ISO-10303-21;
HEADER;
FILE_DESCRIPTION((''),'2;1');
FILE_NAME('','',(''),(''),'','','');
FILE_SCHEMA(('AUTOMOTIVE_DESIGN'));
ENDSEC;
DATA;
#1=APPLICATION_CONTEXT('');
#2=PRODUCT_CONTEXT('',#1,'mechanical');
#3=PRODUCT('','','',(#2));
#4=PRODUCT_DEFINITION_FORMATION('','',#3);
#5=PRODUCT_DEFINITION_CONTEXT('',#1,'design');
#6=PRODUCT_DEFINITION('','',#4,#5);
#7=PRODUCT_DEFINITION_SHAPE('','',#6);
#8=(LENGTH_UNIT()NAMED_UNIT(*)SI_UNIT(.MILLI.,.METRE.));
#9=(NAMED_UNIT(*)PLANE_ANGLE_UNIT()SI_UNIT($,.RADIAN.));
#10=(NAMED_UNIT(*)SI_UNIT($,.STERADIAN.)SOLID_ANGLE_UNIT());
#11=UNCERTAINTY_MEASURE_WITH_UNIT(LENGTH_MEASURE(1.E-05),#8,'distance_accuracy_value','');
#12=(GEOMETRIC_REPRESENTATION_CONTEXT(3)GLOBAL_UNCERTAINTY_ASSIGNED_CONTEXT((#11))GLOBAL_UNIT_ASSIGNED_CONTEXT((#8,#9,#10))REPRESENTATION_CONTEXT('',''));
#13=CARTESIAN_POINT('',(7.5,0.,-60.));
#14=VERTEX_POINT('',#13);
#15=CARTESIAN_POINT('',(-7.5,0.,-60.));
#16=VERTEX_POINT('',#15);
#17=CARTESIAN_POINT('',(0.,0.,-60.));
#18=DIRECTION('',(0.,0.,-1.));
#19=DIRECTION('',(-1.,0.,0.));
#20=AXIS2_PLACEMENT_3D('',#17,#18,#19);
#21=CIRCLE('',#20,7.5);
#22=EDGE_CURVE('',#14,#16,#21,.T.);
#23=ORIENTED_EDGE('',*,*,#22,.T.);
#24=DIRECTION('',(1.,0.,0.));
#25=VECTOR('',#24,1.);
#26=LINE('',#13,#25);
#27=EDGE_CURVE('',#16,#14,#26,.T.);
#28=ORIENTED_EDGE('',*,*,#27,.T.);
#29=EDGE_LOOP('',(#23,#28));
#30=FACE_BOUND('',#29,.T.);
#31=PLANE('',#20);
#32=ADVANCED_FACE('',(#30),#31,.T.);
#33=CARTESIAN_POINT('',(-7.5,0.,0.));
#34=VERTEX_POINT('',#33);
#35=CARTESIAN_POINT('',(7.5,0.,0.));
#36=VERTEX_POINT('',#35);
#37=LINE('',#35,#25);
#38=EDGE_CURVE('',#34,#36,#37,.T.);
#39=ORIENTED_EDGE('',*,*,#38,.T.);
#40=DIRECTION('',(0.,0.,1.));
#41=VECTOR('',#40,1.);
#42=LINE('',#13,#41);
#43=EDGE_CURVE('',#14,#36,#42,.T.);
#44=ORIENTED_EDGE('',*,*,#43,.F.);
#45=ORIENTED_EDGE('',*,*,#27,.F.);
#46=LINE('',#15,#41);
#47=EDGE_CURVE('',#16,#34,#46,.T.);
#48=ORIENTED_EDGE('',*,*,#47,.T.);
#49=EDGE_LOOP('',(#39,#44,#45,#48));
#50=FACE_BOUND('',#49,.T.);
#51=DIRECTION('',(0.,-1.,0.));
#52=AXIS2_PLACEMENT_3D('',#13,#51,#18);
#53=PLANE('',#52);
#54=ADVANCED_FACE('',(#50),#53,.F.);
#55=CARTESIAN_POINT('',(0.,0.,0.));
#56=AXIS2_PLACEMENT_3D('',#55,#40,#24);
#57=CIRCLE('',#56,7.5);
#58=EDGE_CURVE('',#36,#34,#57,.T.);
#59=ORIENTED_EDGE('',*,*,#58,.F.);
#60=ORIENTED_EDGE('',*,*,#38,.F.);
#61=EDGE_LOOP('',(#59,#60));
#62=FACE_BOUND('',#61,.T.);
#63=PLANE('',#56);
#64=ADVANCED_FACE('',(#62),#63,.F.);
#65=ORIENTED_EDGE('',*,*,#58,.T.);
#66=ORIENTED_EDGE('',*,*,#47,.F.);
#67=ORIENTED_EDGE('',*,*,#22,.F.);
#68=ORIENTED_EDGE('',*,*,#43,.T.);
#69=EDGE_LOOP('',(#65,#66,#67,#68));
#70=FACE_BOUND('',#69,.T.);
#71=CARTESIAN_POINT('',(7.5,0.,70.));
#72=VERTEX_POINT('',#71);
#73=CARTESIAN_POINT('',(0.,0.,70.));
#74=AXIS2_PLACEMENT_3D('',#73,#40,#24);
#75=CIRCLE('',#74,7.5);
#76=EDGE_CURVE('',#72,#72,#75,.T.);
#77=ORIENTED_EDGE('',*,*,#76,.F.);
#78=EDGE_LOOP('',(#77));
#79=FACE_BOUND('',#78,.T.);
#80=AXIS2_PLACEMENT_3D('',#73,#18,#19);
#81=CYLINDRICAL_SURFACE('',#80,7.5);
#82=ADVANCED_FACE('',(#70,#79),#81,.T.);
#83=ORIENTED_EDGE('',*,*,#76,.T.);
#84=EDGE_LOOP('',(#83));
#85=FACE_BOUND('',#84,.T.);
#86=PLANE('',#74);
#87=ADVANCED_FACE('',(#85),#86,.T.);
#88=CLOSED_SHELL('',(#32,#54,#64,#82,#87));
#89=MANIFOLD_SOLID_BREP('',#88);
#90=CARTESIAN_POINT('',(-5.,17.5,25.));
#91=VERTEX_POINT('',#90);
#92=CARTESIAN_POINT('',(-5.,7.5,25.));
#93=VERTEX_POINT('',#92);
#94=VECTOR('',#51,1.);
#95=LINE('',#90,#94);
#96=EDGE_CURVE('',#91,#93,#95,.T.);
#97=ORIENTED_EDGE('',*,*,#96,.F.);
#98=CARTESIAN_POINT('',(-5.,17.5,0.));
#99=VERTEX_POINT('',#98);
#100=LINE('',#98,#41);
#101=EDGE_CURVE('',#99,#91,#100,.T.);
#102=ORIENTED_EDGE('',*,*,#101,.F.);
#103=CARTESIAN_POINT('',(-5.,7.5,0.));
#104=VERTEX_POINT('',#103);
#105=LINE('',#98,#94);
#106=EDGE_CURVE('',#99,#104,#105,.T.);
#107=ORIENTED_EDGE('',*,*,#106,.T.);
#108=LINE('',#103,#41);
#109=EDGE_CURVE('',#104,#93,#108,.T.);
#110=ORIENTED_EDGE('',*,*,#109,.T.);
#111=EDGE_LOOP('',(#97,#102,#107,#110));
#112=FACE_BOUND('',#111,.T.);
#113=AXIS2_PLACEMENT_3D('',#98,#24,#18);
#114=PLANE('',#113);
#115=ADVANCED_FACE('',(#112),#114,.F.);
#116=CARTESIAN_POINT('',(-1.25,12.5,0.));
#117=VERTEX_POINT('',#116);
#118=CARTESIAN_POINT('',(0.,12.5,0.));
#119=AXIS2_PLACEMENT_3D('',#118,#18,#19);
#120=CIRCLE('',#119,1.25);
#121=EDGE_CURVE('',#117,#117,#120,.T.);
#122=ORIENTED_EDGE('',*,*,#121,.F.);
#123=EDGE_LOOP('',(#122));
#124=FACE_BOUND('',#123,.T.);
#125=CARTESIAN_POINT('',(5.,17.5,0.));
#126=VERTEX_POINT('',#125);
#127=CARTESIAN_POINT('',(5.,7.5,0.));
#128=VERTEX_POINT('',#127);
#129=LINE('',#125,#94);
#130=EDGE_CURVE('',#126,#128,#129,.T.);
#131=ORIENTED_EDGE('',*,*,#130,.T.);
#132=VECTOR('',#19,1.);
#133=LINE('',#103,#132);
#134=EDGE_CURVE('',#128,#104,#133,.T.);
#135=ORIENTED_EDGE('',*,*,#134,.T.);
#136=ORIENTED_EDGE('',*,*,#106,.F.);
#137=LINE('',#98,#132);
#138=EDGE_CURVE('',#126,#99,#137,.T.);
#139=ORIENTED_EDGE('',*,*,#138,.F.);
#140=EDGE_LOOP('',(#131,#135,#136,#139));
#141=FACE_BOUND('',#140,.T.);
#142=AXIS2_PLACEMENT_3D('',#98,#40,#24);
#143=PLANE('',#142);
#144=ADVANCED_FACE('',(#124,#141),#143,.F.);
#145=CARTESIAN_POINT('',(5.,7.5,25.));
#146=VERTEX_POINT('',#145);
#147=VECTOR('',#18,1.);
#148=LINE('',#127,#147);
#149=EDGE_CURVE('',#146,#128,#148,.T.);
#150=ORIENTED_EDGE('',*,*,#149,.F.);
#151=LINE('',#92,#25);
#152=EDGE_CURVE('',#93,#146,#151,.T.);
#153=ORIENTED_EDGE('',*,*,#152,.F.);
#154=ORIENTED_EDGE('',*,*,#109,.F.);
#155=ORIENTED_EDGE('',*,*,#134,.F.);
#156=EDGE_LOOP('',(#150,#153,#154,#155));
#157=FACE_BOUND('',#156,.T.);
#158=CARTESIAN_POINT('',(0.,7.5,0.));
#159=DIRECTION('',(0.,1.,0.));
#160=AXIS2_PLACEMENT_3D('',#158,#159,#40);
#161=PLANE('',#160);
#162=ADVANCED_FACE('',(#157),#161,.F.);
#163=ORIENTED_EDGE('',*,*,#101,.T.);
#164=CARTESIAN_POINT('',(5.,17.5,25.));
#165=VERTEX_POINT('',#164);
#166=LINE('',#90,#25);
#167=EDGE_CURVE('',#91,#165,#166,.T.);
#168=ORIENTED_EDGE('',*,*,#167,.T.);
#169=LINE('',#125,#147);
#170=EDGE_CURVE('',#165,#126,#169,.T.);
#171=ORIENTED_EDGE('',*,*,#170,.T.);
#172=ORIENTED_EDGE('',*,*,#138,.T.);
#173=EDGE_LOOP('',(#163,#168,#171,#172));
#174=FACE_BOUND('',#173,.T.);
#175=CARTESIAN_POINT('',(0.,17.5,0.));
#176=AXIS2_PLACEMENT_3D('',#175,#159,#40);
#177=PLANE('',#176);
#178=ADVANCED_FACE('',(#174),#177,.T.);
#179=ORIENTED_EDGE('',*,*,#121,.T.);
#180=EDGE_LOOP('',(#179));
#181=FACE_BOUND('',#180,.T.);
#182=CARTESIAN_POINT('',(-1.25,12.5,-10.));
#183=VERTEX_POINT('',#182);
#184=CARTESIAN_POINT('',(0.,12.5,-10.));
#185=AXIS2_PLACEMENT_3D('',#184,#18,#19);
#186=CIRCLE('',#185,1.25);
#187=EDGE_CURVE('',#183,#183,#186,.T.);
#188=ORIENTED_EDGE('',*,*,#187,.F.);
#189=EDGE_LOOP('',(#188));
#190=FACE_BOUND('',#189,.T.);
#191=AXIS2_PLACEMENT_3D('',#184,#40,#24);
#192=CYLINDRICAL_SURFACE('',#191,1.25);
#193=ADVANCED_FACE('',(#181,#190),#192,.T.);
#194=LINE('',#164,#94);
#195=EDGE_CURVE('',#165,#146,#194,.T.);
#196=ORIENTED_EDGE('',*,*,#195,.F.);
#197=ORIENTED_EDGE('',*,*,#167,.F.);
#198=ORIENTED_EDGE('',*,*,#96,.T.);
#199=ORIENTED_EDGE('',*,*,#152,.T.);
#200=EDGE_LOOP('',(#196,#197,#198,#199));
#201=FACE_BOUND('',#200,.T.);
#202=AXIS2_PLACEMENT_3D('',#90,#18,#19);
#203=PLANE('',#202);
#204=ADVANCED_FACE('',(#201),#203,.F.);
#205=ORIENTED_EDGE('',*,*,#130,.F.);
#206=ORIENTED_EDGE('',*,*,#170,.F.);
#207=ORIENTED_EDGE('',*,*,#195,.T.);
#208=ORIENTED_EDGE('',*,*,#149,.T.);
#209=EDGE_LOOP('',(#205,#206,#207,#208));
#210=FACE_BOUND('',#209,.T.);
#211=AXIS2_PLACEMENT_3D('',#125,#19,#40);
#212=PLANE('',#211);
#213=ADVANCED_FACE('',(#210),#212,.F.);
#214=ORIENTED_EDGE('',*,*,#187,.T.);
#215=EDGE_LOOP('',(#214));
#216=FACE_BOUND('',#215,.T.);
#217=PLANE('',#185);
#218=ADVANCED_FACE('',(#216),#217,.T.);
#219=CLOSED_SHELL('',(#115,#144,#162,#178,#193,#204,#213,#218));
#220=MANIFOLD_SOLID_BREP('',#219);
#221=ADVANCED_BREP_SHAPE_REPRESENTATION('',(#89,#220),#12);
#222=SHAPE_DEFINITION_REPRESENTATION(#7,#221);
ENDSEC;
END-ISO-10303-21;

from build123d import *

# Parameters (mm, degrees)
SKETCH_1_R      = 7.5
EXTRUDE_1_DEPTH = 70
EXTRUDE_START   = 60
EXTRUDE_2_DEPTH = 60
SKETCH_4_W      = 10
SKETCH_4_H      = 25
EXTRUDE_3_DEPTH = 10
SKETCH_5_R      = 1.25
EXTRUDE_4_DEPTH = 10


with BuildPart() as part:
    # 草圖1 → 填料-伸長1 (new body)
    with BuildSketch(Plane.XY):
        Circle(SKETCH_1_R)
    extrude(amount=EXTRUDE_1_DEPTH)

    # 草圖2 → 填料-伸長2 (add)
    with BuildSketch(Plane(origin=(0, 0, 0), x_dir=(-1, 0, 0), z_dir=(0, 0, -1)).offset(EXTRUDE_START)):
        with BuildLine():
            Line((-7.5, 0), (7.5, 0))
            ThreePointArc((7.5, 0), (0, -7.5), (-7.5, 0))
        make_face()
    extrude(amount=-EXTRUDE_2_DEPTH)


with BuildPart() as body_2:
    # 草圖4 → 填料-伸長3 (new body)
    with BuildSketch(Plane(origin=(0, 7.5, 0), x_dir=(1, 0, 0), z_dir=(0, 1, 0))):
        with Locations((0, -12.5)):
            Rectangle(SKETCH_4_W, SKETCH_4_H)
    extrude(amount=EXTRUDE_3_DEPTH)

    # 草圖5 → 填料-伸長4 (add)
    with BuildSketch(Plane(origin=(0, 0, 0), x_dir=(-1, 0, 0), z_dir=(0, 0, -1))):
        with Locations((0, 12.5)):
            Circle(SKETCH_5_R)
    extrude(amount=EXTRUDE_4_DEPTH)


solid = Compound([part.part, body_2.part])
